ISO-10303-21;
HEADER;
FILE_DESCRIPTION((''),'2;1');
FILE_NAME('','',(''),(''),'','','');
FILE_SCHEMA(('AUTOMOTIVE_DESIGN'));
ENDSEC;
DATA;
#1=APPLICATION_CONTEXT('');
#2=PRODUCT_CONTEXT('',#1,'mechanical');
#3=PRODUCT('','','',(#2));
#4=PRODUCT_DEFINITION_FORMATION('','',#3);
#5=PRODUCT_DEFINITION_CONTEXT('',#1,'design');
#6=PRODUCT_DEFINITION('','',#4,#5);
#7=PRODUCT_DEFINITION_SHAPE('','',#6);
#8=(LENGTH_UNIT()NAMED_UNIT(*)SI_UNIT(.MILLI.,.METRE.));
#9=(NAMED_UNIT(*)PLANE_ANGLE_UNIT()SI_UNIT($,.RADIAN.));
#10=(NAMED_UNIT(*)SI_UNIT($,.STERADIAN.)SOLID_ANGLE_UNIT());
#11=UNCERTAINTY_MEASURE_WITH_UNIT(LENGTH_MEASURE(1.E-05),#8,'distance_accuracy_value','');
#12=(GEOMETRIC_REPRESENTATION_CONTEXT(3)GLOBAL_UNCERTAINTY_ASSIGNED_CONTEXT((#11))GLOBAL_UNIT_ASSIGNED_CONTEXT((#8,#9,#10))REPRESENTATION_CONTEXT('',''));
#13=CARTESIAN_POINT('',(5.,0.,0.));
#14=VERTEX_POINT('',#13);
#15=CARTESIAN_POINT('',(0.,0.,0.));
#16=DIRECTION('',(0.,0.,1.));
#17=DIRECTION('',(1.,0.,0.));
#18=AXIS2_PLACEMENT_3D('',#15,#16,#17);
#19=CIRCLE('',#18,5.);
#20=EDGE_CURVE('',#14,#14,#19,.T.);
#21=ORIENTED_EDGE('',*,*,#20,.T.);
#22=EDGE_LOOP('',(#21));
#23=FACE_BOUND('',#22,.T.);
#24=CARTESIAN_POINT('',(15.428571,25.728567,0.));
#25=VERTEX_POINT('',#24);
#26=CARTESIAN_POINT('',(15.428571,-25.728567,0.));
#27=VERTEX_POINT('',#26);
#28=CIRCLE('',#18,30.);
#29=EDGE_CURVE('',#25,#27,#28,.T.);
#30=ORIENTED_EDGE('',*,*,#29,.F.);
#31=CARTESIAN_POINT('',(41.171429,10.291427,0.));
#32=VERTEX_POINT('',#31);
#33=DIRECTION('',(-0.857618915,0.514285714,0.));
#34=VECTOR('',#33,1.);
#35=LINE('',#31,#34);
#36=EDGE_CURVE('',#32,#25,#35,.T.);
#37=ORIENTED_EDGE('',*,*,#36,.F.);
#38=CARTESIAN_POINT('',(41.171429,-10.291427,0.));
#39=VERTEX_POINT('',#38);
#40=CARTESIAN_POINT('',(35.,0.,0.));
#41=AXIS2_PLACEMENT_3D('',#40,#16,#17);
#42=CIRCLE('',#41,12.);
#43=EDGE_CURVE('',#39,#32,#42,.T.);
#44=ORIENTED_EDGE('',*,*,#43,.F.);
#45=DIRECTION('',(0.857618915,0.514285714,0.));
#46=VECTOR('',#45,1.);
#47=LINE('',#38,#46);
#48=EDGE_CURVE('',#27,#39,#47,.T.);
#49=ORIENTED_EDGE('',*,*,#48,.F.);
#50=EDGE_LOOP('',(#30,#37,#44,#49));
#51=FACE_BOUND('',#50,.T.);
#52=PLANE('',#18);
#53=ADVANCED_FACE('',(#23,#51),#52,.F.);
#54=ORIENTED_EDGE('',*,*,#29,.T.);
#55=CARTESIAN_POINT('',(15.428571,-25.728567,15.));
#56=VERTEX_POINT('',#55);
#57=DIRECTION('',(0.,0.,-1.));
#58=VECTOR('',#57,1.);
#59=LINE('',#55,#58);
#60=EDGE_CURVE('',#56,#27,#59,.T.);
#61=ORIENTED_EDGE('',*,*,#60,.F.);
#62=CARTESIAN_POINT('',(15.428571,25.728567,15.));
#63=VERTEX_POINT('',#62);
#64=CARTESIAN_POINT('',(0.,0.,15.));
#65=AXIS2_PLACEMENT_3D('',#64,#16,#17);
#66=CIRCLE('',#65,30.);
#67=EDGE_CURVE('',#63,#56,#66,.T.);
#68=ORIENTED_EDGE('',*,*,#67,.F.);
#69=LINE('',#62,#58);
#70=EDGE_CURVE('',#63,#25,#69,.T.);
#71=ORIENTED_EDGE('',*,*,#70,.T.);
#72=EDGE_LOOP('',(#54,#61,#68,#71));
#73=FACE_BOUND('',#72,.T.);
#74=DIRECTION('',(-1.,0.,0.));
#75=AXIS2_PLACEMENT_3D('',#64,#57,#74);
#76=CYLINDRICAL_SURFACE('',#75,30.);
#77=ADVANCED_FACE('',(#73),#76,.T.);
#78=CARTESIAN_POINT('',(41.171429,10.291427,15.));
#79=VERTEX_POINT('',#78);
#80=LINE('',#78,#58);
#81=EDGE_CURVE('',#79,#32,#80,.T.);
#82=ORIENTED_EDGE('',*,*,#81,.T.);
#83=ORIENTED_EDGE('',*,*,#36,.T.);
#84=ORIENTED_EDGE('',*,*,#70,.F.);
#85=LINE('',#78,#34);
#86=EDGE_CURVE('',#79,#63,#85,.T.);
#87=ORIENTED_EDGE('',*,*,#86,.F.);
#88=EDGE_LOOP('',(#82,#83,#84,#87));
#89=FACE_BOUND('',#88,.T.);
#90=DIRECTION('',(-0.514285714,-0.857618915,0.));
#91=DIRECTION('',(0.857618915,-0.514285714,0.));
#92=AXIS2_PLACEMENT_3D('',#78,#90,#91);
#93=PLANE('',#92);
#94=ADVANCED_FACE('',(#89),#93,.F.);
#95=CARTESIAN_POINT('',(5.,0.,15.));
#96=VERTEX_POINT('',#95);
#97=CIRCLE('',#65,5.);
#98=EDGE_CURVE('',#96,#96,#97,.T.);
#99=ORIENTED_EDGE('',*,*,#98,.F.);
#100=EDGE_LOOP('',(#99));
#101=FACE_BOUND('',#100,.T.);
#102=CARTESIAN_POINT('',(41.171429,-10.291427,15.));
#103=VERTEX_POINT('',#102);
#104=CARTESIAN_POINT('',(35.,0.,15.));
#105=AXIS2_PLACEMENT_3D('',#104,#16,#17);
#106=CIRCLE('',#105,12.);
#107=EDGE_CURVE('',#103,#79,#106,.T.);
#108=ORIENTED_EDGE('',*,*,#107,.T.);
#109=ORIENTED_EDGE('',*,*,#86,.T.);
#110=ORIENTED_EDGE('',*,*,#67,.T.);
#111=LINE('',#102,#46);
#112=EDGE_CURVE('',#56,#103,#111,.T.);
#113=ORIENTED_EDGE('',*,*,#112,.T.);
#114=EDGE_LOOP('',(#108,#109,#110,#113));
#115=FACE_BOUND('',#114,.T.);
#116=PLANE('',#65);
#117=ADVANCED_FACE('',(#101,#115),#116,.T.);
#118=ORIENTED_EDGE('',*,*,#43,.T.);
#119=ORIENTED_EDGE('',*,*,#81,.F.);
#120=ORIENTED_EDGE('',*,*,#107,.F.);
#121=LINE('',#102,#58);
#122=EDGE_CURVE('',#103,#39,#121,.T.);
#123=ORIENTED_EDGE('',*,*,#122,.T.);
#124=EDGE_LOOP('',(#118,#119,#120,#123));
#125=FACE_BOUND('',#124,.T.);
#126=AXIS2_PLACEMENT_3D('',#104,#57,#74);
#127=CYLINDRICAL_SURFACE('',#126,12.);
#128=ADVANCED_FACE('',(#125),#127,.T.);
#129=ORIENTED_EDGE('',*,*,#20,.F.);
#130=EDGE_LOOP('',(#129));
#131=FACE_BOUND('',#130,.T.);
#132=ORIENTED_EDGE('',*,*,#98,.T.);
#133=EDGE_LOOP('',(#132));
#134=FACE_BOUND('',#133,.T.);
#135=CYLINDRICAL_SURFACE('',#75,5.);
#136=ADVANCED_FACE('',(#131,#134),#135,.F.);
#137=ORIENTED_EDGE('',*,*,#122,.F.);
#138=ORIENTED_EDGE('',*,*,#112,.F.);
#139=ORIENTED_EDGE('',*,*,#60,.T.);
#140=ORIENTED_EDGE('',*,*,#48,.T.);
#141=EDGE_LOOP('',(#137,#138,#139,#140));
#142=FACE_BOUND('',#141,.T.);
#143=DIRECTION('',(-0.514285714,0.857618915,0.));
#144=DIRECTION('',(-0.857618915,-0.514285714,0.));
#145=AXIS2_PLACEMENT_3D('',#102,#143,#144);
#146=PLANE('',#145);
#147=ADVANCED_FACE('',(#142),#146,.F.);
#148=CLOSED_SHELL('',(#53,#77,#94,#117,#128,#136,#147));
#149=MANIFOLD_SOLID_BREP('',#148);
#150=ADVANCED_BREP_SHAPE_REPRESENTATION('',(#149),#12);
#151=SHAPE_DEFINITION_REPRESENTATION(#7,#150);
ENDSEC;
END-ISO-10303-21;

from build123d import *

# Parameters (mm, degrees)
CROQUIS1_R              = 5
SALIENTE_EXTRUIR1_DEPTH = 15


with BuildPart() as part:
    # Croquis1 → Saliente-Extruir1 (new body)
    with BuildSketch(Plane.XY):
        with BuildLine():
            Line((41.171428571, -10.291426985), (15.428571429, -25.728567463))
            ThreePointArc((15.428571429, -25.728567463), (-30, 0), (15.428571429, 25.728567463))
            Line((15.428571429, 25.728567463), (41.171428571, 10.291426985))
            ThreePointArc((41.171428571, 10.291426985), (47, 0), (41.171428571, -10.291426985))
        make_face()
        Circle(CROQUIS1_R, mode=Mode.SUBTRACT)
    extrude(amount=SALIENTE_EXTRUIR1_DEPTH)


solid = part.part
